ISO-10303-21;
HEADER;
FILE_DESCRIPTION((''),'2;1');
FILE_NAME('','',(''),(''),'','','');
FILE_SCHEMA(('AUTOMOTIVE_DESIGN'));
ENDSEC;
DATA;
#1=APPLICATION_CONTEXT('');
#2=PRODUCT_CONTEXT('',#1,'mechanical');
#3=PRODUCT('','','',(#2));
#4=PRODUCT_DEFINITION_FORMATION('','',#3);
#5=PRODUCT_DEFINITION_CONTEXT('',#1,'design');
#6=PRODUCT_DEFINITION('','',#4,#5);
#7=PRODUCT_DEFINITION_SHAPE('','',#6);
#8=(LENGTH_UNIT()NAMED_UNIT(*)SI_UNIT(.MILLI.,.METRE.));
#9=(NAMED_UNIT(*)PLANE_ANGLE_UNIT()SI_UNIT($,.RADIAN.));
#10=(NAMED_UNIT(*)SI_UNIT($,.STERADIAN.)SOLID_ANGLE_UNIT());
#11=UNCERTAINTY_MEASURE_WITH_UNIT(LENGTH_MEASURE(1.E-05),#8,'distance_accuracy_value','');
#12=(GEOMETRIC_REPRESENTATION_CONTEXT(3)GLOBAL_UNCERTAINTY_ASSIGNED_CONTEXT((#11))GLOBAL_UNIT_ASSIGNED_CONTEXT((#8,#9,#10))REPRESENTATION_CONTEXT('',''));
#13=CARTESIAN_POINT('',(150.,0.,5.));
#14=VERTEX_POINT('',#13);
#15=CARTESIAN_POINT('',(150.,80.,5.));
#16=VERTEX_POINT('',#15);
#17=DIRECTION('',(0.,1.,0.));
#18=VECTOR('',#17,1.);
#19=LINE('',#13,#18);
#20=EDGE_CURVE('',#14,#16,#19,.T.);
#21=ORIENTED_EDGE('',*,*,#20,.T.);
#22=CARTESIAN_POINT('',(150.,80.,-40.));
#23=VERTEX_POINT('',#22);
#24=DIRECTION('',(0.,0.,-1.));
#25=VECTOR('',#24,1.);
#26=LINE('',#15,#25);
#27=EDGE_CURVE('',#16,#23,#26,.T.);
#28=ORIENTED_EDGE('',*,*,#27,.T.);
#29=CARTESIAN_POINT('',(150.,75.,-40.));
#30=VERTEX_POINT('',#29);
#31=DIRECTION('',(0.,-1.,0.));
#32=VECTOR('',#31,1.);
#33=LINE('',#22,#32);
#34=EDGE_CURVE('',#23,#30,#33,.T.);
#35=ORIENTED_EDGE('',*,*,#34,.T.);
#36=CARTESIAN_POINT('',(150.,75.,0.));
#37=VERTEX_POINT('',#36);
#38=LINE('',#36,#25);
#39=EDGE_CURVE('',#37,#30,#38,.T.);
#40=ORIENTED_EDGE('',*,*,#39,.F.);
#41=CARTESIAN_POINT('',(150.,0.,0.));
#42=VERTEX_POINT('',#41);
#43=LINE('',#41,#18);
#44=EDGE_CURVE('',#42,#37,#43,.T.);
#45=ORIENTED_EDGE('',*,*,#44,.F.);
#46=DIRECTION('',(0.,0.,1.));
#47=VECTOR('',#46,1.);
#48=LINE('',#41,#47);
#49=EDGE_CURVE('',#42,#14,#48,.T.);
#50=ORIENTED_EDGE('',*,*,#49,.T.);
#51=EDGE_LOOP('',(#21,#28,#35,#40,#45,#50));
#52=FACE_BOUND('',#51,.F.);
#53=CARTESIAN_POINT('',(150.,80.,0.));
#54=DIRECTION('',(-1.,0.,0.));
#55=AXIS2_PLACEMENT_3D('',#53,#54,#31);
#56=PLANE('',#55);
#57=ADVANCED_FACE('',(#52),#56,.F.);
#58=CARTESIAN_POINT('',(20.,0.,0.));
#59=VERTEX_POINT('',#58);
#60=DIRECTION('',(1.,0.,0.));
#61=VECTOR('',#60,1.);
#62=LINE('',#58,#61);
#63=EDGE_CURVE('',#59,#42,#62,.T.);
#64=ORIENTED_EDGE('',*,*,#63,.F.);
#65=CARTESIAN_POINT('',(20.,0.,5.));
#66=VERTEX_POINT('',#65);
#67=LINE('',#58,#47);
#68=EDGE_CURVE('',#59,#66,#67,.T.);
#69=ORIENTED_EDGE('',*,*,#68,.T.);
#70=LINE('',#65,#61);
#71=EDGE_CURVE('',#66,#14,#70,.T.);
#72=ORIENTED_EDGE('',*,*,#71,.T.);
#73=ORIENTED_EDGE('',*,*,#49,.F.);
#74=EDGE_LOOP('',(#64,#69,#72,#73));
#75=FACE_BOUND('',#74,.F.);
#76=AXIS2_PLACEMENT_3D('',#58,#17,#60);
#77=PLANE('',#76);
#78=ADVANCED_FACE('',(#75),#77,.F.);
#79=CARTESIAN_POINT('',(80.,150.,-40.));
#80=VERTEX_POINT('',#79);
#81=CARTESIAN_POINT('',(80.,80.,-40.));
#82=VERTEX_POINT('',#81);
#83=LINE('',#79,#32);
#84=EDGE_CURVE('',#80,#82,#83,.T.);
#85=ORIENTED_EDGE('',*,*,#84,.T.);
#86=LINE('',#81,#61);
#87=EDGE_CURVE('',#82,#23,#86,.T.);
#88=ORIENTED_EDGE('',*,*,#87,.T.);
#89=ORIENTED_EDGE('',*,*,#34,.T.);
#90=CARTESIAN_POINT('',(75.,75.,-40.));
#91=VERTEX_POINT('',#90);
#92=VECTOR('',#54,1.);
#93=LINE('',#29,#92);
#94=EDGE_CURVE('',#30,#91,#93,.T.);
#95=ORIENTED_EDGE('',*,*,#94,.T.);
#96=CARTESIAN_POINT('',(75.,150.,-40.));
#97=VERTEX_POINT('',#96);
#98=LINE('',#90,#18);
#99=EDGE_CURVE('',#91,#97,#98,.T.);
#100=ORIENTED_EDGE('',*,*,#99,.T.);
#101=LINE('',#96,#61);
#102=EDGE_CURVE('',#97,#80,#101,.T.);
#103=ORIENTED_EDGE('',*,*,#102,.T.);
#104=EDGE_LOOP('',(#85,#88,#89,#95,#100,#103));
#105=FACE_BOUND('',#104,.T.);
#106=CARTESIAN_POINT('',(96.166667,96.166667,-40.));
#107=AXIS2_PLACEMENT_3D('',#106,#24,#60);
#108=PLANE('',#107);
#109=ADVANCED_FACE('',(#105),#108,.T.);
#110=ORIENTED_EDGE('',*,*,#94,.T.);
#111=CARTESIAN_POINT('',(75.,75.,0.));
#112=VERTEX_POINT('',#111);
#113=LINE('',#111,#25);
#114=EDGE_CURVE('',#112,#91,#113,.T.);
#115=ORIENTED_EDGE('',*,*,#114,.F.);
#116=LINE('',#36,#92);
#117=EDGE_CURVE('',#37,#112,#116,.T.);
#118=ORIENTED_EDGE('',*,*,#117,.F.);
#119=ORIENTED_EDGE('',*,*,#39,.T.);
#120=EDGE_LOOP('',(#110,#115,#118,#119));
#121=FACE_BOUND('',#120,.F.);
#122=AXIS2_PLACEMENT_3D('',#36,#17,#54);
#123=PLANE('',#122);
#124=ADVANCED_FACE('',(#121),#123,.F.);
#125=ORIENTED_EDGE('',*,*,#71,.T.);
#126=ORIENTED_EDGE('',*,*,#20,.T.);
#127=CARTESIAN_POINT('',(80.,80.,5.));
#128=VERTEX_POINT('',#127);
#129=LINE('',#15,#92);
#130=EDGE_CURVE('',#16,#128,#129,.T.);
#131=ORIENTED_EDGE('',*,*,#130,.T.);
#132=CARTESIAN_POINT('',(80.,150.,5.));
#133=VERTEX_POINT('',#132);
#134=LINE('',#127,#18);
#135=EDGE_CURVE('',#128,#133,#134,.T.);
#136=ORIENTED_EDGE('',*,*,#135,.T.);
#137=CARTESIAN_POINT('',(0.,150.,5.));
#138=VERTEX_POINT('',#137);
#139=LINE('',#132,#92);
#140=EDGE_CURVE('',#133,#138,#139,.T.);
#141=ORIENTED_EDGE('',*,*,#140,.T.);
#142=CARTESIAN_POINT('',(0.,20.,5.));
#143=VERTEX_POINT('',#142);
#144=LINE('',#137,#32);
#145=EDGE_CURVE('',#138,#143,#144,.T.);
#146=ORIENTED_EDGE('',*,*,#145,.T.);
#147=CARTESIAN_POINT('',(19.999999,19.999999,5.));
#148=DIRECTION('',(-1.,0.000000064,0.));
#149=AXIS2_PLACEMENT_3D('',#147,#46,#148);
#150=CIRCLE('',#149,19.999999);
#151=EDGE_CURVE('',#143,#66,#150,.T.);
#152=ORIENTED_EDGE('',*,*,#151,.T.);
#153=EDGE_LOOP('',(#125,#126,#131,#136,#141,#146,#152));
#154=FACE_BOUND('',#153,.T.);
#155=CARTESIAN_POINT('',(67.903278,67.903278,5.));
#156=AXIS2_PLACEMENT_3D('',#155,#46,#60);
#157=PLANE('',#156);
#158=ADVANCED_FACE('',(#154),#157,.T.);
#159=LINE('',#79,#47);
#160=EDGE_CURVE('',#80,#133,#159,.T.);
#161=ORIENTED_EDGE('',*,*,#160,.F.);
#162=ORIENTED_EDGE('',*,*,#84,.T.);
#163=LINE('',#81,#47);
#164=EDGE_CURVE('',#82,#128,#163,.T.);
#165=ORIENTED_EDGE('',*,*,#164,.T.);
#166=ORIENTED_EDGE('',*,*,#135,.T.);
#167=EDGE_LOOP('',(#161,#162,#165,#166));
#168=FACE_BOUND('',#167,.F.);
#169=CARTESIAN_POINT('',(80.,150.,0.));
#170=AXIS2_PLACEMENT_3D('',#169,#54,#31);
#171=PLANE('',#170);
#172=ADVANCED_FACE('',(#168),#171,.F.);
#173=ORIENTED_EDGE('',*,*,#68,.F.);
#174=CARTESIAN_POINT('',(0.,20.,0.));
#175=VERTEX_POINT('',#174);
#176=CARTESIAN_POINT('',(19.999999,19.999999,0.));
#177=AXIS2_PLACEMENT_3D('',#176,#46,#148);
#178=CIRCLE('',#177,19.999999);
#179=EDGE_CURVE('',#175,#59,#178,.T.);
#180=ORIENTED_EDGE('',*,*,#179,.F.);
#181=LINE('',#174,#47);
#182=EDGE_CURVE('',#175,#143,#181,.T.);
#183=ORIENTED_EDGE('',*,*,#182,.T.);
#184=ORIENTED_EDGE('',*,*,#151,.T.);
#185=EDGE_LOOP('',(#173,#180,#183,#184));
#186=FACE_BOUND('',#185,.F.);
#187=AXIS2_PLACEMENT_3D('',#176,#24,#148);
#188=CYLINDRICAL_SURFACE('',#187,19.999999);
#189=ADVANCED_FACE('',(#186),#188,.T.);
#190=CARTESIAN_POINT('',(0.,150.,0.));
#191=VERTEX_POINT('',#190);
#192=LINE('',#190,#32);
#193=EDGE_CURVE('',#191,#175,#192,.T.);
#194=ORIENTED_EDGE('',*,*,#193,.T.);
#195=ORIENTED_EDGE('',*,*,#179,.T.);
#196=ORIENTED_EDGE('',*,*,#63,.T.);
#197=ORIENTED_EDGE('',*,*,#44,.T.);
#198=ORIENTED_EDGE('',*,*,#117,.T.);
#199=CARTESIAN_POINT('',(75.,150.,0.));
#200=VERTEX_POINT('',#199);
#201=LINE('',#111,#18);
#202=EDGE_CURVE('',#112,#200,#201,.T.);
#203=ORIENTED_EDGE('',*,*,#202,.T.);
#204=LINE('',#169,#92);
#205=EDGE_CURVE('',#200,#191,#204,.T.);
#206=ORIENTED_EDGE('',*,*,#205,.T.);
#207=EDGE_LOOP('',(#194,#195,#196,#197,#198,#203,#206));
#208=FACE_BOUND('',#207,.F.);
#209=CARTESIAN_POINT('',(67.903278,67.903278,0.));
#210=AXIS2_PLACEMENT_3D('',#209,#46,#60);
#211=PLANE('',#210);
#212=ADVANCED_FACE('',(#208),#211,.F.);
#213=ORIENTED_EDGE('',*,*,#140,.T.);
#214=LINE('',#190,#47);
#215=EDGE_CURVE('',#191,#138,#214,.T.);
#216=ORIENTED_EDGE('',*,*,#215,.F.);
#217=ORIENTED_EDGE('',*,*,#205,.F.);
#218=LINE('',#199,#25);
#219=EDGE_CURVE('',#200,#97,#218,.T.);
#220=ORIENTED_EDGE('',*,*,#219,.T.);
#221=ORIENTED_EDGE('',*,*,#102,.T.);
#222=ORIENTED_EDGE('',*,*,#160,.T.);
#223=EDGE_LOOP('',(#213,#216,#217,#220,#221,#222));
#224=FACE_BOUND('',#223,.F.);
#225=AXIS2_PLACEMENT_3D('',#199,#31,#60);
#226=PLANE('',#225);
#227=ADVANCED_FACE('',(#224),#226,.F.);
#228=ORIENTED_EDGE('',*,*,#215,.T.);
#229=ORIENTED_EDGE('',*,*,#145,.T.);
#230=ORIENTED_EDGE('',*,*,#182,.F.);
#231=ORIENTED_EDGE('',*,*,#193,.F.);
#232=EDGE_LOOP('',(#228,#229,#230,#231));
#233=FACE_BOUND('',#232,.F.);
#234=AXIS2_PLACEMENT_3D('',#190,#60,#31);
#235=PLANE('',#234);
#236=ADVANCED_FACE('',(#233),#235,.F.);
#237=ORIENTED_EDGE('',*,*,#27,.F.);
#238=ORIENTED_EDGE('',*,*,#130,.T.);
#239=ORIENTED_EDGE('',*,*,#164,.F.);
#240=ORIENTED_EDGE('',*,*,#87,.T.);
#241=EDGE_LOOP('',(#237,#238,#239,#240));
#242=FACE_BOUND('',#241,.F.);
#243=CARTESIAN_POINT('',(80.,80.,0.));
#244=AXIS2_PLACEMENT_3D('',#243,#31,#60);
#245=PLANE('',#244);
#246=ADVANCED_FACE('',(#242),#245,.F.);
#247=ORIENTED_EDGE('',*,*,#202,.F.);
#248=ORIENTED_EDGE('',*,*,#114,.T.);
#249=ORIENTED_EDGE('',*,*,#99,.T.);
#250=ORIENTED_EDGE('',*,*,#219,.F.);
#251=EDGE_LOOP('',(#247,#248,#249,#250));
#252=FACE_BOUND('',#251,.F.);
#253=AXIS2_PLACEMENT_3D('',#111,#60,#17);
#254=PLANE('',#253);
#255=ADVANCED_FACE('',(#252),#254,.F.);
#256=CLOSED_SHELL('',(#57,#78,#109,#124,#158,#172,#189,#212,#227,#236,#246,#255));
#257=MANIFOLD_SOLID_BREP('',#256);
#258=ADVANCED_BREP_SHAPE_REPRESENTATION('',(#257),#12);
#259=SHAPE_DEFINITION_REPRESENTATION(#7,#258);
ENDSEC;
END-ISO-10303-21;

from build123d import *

# Parameters (mm, degrees)
F1_DEPTH = 5
F3_DEPTH = 40


with BuildPart() as f1:
    # F0 (on Top) → F1 (new body)
    with BuildSketch(Plane.XY):
        with BuildLine():
            ThreePointArc((0, 20), (5.857864, 5.857864), (20, 0))
            Line((20, 0), (150, 0))
            Line((150, 0), (150, 80))
            Line((150, 80), (80, 80))
            Line((80, 80), (80, 150))
            Line((80, 150), (0, 150))
            Line((0, 150), (0, 20))
        make_face()
    extrude(amount=F1_DEPTH)

    # F2 (on face) → F3 (join)
    with BuildSketch(Plane(origin=(0, 0, 0), x_dir=(1, 0, 0), z_dir=(0, 0, -1))):
        Polygon((80, -80), (150, -80), (150, -75), (75, -75), (75, -150), (80, -150), align=None)
    extrude(amount=F3_DEPTH)


solid = f1.part
